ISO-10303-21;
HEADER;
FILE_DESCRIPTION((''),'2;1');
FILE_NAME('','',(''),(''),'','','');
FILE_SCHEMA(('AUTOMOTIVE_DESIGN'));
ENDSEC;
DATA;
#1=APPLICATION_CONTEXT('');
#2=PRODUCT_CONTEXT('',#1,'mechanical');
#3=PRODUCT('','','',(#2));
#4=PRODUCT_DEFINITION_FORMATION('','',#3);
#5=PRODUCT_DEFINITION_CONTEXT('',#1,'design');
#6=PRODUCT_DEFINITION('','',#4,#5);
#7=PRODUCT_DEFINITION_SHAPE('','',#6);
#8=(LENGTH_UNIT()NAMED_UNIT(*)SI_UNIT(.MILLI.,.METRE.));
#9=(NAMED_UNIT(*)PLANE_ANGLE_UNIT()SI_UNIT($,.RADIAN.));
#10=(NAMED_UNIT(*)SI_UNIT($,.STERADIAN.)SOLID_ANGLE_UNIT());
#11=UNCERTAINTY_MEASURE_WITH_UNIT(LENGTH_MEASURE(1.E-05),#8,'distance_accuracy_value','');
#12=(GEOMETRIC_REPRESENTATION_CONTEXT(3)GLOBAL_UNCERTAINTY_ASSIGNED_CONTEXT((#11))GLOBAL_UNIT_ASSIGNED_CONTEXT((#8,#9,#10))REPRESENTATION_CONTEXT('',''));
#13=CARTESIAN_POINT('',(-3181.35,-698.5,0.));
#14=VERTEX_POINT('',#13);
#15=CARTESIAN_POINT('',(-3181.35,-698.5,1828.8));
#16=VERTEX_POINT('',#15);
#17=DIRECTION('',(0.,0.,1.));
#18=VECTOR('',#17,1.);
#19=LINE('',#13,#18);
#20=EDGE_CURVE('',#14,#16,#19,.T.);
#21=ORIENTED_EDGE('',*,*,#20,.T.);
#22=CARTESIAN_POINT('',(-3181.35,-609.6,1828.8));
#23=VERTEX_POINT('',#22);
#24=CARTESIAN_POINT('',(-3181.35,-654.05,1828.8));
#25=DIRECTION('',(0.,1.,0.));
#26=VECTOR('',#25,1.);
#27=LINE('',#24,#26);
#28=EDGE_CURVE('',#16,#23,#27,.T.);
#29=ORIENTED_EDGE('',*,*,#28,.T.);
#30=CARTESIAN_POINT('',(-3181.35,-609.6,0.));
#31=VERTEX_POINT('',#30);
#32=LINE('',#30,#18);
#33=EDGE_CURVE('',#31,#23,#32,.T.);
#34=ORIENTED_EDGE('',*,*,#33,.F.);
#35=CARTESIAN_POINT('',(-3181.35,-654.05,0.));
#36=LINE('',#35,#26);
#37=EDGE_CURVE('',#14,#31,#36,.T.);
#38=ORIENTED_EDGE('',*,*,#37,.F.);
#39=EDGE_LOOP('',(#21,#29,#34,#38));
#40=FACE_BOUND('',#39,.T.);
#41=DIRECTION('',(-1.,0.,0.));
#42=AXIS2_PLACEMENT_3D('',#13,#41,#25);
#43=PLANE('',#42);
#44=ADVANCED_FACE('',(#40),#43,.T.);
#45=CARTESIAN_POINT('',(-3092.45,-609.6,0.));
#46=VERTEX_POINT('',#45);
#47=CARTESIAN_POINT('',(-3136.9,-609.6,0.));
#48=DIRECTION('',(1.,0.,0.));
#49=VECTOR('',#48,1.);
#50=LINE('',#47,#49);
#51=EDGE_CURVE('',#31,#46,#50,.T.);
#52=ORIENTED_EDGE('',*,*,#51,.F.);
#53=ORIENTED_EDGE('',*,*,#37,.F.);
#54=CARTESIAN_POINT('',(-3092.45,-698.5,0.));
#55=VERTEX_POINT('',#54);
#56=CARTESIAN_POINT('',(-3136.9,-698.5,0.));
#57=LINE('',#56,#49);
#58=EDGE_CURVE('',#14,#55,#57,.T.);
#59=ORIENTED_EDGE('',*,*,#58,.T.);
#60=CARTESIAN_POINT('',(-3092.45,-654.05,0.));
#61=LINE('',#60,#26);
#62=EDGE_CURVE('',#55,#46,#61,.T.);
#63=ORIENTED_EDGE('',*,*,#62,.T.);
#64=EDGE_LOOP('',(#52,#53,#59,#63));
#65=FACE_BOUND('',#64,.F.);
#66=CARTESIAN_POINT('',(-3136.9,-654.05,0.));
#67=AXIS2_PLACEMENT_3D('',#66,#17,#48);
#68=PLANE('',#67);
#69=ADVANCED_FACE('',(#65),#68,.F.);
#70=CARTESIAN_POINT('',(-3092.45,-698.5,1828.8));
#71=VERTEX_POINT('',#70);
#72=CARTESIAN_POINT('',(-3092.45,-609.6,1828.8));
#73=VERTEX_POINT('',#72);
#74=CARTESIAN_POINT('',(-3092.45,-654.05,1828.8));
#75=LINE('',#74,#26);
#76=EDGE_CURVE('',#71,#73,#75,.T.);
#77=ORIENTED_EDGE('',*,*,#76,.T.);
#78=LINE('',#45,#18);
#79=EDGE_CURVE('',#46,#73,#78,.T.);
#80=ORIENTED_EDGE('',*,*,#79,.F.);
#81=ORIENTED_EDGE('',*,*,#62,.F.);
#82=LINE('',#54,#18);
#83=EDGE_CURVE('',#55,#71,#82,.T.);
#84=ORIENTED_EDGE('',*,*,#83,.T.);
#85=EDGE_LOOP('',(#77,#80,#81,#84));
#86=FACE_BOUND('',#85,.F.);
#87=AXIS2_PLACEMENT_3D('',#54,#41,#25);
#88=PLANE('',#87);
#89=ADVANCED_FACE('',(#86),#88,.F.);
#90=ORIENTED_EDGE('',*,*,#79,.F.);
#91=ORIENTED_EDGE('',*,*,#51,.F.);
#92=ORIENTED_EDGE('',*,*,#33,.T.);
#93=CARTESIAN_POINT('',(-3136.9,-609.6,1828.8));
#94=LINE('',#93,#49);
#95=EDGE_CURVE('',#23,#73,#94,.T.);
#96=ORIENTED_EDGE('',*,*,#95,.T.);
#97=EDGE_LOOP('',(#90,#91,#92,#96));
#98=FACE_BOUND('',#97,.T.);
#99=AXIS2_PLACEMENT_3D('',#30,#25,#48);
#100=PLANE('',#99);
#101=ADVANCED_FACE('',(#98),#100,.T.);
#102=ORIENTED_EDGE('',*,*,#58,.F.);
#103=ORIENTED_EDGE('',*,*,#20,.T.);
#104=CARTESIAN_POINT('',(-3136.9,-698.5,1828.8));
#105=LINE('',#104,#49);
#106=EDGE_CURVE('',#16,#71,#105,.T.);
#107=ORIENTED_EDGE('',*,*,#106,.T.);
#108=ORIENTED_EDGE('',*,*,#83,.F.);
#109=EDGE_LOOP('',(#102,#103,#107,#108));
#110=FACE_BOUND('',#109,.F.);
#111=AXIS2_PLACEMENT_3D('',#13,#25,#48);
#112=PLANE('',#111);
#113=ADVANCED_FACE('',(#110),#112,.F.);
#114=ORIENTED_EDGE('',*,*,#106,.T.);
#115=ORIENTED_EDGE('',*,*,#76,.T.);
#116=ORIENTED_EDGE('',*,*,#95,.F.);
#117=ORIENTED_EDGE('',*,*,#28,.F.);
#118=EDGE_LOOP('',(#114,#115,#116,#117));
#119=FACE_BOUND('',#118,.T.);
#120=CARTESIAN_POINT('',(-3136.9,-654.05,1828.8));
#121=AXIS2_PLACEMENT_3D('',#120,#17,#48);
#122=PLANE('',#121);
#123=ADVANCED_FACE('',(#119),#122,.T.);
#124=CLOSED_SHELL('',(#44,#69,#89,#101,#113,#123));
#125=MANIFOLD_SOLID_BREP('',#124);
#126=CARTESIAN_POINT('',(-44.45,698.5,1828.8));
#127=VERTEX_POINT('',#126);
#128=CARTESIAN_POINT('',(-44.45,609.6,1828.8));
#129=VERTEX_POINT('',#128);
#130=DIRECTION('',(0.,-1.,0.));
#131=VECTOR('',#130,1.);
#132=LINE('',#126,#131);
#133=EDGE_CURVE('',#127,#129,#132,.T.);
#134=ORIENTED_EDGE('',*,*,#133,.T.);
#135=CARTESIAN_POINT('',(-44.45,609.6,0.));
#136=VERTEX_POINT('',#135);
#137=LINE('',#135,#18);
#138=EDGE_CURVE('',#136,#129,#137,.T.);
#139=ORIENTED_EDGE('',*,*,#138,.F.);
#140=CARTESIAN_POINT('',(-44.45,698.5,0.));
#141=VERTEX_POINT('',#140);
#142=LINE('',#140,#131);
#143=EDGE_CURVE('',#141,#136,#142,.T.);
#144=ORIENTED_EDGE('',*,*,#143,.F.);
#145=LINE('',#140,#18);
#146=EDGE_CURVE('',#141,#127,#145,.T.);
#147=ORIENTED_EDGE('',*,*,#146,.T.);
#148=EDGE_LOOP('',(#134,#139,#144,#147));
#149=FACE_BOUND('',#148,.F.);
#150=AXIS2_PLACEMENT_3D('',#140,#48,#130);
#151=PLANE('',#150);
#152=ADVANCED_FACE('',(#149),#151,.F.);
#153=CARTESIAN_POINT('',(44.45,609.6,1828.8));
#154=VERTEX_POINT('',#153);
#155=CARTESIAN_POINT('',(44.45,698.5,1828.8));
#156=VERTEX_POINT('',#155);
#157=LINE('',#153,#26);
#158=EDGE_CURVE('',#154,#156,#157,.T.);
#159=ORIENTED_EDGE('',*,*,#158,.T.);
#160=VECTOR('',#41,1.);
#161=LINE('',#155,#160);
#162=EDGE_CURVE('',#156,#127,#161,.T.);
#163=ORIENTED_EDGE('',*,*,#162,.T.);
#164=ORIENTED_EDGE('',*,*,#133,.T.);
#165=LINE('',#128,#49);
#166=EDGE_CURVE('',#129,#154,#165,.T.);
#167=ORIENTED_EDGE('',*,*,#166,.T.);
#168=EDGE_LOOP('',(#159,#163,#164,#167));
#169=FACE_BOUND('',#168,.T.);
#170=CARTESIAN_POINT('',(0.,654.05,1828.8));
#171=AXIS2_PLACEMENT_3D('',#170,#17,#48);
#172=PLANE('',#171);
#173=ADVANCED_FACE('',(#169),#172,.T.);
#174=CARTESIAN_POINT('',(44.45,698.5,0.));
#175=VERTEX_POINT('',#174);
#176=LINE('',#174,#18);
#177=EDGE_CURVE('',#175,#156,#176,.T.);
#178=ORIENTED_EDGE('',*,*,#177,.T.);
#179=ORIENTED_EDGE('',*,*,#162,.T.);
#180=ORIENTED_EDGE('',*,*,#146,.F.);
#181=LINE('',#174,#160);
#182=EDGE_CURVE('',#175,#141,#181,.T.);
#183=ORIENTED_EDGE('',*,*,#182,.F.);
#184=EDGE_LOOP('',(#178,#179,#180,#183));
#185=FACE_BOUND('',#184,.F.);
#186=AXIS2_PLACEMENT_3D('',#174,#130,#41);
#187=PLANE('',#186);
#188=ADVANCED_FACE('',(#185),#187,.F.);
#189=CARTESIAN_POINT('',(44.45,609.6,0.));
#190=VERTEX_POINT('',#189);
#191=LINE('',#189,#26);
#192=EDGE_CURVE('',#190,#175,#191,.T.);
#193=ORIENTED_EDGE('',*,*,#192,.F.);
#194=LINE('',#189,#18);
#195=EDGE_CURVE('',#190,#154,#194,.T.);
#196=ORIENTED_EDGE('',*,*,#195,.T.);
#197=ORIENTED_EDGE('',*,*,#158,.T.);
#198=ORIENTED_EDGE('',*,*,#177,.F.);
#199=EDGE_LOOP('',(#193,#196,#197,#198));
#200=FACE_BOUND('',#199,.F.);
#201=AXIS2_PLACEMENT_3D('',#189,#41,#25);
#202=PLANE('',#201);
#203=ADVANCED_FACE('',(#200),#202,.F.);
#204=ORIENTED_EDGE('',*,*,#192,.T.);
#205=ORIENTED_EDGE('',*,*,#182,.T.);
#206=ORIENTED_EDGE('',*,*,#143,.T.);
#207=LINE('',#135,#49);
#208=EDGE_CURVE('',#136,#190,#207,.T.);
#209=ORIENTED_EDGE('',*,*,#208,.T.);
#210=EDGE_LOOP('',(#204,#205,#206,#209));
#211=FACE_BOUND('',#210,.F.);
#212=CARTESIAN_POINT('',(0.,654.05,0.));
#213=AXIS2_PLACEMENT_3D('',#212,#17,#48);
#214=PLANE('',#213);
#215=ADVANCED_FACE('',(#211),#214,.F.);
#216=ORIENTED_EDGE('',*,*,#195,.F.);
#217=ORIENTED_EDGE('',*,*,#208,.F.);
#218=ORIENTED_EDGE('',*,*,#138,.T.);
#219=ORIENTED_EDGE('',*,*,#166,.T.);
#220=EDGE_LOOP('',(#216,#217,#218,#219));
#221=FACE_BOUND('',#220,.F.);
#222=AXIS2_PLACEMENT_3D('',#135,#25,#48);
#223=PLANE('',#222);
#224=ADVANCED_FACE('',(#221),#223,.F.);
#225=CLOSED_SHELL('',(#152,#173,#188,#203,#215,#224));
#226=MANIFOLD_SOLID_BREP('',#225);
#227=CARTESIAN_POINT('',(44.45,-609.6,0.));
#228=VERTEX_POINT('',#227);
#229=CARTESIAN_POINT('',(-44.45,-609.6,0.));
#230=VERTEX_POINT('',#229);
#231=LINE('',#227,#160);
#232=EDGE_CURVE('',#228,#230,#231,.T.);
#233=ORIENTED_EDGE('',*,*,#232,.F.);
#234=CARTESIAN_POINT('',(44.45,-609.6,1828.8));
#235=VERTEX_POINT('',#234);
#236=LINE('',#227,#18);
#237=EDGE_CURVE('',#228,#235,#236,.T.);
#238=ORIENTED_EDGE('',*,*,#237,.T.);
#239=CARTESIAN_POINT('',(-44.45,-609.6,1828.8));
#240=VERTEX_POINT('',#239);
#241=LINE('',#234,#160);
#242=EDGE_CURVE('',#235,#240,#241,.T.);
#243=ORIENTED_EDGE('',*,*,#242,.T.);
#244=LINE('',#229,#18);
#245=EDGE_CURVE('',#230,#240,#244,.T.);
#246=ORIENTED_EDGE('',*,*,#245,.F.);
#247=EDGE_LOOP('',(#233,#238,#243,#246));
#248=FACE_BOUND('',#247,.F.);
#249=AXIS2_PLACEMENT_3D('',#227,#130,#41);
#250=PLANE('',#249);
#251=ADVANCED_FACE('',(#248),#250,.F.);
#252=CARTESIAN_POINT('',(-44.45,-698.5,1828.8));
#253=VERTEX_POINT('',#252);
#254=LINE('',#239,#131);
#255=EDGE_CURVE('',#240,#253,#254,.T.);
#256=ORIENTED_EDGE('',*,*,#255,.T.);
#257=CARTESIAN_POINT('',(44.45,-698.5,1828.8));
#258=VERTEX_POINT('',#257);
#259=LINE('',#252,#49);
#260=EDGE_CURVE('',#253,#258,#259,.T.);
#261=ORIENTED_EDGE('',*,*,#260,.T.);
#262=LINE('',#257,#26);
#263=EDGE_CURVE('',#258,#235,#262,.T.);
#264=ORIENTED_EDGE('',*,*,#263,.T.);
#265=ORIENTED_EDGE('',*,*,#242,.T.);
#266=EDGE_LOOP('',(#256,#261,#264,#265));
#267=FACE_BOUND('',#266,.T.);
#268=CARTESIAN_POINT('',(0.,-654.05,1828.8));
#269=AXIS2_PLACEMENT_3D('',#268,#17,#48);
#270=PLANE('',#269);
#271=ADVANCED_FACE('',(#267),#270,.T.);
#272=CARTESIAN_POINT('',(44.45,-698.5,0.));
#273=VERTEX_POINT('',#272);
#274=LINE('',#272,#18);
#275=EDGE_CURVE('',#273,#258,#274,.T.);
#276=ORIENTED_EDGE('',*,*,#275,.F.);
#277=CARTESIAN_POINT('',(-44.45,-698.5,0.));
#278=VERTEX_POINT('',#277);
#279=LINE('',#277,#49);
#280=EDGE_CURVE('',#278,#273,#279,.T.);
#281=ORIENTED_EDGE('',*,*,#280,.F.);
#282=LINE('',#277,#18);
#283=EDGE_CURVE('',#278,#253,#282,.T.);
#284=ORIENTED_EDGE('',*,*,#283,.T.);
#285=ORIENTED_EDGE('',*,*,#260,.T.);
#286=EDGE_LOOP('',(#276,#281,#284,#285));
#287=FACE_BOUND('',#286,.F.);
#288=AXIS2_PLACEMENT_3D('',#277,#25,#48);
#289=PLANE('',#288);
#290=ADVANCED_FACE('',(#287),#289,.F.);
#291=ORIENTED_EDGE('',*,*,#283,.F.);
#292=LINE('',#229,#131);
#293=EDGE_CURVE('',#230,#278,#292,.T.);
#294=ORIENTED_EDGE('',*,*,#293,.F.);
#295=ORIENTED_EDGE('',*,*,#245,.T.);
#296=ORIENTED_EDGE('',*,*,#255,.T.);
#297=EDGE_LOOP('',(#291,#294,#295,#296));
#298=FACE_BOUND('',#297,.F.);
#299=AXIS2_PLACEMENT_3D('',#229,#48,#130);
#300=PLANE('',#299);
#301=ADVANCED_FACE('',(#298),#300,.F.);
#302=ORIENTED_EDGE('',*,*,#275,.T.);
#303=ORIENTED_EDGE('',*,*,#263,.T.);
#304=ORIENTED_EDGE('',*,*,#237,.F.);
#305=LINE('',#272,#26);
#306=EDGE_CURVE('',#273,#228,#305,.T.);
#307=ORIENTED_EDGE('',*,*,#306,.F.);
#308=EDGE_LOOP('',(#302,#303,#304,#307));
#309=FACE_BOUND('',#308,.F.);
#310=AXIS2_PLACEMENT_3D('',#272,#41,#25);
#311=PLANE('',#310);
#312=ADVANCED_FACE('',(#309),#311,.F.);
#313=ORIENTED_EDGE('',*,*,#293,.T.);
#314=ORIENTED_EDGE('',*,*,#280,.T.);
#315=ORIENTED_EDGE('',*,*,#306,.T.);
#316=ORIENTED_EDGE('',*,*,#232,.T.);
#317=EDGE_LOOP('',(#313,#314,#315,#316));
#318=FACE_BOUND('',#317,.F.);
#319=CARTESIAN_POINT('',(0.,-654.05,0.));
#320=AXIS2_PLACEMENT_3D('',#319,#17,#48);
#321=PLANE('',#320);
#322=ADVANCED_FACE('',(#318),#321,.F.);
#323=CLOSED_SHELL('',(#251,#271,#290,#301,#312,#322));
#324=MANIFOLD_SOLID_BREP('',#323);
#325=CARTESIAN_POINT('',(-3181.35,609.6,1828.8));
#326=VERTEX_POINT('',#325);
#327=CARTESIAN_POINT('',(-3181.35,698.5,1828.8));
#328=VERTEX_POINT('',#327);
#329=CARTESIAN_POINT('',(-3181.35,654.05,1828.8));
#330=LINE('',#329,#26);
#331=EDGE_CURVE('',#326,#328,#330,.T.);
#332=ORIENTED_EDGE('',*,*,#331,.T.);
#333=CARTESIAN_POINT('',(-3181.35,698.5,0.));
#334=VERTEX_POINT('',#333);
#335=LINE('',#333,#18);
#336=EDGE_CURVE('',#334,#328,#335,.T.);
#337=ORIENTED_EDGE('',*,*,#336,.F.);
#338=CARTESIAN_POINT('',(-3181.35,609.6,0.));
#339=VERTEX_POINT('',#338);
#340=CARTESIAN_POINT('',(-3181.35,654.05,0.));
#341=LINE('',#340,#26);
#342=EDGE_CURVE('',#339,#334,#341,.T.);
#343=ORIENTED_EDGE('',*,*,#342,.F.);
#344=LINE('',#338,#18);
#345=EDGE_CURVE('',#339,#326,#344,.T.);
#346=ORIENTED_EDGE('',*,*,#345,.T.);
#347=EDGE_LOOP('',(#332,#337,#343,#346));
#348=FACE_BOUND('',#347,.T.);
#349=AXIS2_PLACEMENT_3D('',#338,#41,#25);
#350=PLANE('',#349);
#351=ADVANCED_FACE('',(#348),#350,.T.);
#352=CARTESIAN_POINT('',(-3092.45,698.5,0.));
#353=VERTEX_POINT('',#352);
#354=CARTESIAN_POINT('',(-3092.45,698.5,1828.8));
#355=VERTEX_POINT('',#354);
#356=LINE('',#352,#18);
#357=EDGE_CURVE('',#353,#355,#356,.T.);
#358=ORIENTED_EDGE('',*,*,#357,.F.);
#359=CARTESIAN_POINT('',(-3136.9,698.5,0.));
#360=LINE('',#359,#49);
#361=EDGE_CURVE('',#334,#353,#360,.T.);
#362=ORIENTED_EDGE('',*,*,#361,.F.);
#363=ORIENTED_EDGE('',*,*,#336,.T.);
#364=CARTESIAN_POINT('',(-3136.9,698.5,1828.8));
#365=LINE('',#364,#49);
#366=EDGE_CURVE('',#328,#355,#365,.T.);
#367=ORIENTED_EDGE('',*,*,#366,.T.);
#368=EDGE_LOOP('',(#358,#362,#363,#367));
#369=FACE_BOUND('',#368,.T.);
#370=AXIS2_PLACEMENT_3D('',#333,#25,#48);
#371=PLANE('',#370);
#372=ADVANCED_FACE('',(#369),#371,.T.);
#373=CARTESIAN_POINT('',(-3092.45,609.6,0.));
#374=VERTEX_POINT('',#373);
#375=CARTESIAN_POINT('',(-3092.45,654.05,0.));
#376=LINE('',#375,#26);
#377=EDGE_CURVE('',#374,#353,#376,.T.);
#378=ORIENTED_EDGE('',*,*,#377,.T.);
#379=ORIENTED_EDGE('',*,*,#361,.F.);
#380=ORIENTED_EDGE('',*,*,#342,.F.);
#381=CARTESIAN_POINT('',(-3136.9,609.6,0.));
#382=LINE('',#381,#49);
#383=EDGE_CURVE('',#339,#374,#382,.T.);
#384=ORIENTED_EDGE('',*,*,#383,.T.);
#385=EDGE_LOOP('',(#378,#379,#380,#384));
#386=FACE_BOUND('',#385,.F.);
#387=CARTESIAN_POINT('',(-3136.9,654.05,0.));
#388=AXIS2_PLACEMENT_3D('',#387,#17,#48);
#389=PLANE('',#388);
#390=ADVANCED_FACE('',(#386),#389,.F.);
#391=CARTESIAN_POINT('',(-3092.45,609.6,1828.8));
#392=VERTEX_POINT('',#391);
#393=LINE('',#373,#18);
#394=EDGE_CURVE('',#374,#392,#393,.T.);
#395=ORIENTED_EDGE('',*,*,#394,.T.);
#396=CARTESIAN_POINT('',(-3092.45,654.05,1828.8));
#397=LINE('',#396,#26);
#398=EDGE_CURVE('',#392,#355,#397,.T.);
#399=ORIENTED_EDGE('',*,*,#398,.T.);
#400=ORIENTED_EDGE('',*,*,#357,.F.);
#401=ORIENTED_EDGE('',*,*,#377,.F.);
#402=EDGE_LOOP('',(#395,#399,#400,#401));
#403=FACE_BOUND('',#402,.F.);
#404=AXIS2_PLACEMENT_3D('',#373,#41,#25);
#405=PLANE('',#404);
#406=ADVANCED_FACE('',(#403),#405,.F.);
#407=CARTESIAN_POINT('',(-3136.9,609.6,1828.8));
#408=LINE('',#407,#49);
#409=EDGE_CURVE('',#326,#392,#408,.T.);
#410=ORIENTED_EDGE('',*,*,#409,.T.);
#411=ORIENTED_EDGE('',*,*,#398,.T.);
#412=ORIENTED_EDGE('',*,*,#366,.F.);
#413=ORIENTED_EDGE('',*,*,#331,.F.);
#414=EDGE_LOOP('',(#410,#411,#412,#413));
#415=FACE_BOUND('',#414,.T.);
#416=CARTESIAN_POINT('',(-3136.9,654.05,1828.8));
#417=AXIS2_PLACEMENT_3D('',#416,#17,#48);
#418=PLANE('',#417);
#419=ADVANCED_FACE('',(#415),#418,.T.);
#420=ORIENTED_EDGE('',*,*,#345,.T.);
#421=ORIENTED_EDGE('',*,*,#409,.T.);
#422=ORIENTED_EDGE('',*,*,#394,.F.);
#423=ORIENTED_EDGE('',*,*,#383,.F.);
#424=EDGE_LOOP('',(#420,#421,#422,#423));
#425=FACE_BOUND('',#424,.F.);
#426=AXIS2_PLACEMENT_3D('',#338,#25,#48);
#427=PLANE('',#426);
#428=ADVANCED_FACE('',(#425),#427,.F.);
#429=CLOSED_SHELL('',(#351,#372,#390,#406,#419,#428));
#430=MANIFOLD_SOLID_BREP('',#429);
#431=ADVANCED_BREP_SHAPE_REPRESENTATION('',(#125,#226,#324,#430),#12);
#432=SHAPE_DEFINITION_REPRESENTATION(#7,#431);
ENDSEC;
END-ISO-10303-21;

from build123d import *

# Parameters (mm, degrees)
F0_W     = 88.9
F0_H     = 88.9
F1_DEPTH = 1828.8


with BuildPart() as f1:
    # F0 (on Top) → F1 (new body)
    with BuildSketch(Plane.XY):
        Polygon((44.45, 609.6), (44.45, 698.5), (-44.45, 698.5), (-44.45, 609.6), (0, 609.6), align=None)
        Polygon((44.45, -609.6), (0, -609.6), (-44.45, -609.6), (-44.45, -698.5), (44.45, -698.5), align=None)
        with Locations((-3136.9, 654.05)):
            Rectangle(F0_W, F0_H)
        with Locations((-3136.9, -654.05)):
            Rectangle(F0_W, F0_H)
    extrude(amount=F1_DEPTH)


solid = f1.part
